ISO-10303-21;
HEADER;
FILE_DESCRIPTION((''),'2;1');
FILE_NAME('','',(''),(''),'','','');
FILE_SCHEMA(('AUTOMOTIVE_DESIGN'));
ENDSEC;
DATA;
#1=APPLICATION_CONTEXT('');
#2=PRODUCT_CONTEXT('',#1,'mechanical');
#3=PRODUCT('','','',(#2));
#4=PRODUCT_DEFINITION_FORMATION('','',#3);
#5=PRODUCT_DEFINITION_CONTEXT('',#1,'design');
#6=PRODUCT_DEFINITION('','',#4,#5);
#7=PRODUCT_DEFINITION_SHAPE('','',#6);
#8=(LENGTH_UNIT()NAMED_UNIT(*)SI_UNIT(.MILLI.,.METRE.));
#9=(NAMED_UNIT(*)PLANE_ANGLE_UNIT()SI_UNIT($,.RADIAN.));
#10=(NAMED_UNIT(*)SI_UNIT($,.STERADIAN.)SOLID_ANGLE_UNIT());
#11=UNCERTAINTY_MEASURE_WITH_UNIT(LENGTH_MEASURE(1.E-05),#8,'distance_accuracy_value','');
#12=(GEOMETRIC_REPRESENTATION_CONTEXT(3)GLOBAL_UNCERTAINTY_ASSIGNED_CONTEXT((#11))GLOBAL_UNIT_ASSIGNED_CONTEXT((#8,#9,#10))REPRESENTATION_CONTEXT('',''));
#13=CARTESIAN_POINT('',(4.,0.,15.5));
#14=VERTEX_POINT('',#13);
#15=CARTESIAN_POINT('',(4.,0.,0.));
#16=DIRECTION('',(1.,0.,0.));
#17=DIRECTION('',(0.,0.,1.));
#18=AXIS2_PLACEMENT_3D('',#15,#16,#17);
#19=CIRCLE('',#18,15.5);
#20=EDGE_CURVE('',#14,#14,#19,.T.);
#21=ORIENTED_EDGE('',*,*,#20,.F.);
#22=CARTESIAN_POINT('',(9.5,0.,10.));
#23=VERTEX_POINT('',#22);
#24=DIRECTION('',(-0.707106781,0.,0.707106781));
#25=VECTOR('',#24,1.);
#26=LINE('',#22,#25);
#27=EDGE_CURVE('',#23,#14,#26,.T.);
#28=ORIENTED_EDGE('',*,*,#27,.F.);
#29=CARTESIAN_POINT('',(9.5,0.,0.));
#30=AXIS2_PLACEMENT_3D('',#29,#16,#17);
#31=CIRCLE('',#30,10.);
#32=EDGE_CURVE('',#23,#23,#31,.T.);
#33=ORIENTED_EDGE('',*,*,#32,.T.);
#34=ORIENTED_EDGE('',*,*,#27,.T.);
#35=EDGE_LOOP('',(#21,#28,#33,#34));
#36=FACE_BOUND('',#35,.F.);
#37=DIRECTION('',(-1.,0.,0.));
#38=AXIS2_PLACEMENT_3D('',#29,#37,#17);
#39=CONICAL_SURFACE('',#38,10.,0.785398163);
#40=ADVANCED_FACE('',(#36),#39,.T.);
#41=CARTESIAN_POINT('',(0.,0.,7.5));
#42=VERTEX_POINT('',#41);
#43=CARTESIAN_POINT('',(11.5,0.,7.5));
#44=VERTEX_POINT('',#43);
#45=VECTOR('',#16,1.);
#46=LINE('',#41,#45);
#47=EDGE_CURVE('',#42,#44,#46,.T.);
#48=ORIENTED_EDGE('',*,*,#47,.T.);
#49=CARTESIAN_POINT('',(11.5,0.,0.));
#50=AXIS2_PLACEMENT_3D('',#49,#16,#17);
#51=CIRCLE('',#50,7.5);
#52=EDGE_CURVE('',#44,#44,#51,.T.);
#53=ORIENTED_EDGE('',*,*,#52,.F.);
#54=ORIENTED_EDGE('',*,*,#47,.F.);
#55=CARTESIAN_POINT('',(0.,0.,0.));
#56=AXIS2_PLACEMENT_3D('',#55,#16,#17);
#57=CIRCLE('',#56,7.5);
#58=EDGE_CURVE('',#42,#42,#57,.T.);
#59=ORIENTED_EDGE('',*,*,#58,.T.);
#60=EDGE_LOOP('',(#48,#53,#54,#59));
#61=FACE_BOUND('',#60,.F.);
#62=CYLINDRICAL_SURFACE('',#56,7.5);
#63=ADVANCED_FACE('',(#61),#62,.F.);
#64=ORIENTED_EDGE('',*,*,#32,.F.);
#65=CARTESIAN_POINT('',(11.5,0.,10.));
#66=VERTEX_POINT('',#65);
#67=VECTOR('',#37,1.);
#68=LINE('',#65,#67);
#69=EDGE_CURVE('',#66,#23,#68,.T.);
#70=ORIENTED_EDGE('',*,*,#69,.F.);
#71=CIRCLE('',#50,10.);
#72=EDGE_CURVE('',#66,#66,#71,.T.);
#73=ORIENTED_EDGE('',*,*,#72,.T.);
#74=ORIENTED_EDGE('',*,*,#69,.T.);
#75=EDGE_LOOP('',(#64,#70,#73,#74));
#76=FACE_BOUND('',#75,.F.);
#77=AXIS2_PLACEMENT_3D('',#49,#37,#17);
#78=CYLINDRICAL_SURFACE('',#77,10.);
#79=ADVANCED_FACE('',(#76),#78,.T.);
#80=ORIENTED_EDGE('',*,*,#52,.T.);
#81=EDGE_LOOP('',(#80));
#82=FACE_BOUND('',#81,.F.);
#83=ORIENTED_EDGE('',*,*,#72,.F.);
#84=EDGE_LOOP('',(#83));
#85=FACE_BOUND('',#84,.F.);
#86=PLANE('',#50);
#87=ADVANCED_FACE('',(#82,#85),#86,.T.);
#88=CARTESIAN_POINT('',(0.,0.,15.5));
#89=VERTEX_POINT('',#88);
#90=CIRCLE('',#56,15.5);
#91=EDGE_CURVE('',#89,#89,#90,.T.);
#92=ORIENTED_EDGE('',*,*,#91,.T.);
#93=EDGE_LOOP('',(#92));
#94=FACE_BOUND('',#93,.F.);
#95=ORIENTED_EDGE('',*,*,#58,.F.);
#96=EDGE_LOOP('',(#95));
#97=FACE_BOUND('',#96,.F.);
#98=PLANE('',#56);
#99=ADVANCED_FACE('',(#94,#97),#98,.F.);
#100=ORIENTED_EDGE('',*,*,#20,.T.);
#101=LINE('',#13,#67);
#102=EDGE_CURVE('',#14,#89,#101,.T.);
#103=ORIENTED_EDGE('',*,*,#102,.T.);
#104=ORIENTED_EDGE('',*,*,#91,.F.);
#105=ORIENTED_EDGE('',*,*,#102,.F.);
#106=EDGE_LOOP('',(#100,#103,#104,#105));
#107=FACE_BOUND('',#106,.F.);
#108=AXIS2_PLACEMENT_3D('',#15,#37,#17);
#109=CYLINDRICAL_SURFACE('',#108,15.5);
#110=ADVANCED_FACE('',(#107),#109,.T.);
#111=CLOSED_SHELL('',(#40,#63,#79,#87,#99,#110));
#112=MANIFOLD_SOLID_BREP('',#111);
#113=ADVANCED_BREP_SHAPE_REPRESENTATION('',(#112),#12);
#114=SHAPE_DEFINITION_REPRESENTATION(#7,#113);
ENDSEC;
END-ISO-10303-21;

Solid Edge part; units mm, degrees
sketch "Sketch1" plane through (0, 0, 0) normal (0, -1, 0) x (1, 0, 0)
  line L0 (0, 7.5) -> (11.5, 7.5)
  line L1 (11.5, 7.5) -> (11.5, 10)
  line L2 (11.5, 10) -> (9.5, 10)
  line L3 (9.5, 10) -> (4, 15.5)
  line L4 (4, 15.5) -> (0, 15.5)
  line L5 (0, 15.5) -> (0, 7.5)
  dimension "D1" = 7.5
  dimension "D2" = 15.5
  dimension "D3" = 11.5
  dimension "D4" = 2
  dimension "D5" = 10
  dimension "D6" = 5.5
revolve "RevolvedProtrusion1" add sketch "Sketch1" angle 360 about axis through (0, 0, 0) along (1, 0, 0)
properties part number "1976-1200-008" material "Aluminio, 7075-T6"
